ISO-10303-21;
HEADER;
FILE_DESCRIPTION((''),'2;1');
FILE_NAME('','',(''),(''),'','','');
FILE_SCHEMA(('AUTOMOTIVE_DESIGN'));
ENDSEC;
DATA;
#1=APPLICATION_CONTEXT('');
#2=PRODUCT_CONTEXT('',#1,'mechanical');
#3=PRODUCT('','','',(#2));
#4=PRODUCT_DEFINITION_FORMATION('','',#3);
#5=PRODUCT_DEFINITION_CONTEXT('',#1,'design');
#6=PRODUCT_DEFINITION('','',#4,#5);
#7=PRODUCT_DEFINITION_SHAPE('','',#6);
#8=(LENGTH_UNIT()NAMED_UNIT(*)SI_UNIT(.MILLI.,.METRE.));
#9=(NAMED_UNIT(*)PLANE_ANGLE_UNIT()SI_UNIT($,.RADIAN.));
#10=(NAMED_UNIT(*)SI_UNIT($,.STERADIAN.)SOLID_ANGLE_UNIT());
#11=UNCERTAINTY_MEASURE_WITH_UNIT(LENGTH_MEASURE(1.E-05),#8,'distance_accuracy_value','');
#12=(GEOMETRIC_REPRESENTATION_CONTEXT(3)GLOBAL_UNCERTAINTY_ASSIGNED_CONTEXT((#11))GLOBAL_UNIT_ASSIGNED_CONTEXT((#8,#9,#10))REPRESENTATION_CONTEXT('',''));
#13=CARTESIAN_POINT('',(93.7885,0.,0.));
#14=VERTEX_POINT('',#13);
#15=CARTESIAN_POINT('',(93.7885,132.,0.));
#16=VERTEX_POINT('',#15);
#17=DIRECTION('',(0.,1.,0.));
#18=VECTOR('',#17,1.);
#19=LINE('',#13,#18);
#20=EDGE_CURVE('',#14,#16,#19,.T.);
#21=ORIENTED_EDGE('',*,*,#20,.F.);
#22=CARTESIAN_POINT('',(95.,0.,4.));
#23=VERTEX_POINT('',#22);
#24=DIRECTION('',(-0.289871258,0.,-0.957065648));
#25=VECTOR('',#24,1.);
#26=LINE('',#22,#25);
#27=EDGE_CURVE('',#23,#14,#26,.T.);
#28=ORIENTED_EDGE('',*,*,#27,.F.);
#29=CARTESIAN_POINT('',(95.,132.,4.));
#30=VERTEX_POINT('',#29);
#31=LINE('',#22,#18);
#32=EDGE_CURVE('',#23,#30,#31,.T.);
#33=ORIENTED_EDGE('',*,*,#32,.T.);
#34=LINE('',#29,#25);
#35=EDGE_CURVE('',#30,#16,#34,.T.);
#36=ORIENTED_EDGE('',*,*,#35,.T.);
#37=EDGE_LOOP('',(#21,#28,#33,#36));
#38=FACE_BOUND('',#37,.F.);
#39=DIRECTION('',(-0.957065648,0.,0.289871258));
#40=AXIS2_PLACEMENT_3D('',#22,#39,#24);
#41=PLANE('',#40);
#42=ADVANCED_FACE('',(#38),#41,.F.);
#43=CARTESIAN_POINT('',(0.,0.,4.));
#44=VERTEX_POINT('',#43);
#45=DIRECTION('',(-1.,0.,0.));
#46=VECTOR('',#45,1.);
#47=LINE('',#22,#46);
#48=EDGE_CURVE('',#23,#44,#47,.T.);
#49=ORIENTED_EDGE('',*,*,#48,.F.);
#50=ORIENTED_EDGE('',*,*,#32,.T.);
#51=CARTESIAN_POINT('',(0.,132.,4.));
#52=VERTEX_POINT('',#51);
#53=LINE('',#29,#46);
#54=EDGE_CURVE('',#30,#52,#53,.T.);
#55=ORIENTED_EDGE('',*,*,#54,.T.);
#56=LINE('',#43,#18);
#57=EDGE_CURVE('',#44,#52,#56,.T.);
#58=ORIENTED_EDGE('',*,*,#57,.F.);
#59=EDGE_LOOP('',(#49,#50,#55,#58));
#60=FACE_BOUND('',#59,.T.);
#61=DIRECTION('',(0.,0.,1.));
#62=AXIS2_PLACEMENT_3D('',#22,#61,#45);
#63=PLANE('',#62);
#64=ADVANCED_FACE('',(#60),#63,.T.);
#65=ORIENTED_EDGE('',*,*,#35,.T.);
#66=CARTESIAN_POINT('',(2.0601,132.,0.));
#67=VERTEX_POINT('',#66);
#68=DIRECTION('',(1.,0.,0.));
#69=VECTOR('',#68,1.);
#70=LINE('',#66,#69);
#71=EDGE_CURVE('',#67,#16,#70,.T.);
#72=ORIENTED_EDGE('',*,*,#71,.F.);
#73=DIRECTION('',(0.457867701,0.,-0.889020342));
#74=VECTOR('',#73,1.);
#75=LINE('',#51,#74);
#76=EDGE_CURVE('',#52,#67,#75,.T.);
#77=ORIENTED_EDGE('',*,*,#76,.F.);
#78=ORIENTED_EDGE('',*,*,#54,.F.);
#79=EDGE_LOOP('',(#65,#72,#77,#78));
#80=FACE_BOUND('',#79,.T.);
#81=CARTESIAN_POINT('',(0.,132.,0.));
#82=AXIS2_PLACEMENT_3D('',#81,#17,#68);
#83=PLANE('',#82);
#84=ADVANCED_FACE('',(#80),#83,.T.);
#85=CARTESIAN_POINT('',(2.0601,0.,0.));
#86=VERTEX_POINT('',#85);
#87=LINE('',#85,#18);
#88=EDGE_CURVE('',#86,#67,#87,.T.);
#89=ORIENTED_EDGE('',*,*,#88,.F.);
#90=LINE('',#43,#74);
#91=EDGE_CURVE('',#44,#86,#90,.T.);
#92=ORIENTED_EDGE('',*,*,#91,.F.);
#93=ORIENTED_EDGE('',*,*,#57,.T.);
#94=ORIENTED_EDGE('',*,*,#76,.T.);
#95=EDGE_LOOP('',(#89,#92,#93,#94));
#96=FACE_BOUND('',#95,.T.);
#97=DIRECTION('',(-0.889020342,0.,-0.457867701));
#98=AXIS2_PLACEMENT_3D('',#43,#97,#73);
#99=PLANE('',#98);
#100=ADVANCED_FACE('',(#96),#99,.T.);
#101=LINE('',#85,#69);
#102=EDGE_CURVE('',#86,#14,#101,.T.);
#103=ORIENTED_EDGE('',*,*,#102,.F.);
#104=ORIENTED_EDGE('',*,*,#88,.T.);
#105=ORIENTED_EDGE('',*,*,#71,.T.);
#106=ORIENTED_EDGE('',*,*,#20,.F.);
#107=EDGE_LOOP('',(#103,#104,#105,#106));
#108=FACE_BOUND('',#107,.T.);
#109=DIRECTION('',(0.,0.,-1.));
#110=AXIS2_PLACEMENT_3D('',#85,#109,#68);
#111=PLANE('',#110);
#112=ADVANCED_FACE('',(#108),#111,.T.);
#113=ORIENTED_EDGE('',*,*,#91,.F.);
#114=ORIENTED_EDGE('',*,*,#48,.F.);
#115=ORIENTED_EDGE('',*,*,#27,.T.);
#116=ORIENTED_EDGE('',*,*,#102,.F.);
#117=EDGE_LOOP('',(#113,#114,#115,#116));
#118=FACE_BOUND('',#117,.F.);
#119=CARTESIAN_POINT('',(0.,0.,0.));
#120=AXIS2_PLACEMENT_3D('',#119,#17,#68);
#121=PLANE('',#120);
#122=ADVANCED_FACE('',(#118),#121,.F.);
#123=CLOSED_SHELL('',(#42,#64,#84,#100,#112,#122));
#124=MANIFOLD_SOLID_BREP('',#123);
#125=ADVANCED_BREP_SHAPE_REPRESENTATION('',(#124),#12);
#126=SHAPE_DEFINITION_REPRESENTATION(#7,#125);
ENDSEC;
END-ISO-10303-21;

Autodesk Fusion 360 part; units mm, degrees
sketch "Esquisse1" plane through (0, 0, 0) normal (0, 1, 0) x (1, 0, 0)
  line L0 (2.0601, 0) -> (93.7885, 0)
  line L1 (95, -4) -> (0, -4)
  line L2 (0, -4) -> (2.0601, 0)
  line L3 (95, -4) -> (93.7885, 0)
  dimension "d3" = 62.75
  dimension "d4" = 73.15
extrude "Extrusion1" add sketch "Esquisse1" along normal blind 132
